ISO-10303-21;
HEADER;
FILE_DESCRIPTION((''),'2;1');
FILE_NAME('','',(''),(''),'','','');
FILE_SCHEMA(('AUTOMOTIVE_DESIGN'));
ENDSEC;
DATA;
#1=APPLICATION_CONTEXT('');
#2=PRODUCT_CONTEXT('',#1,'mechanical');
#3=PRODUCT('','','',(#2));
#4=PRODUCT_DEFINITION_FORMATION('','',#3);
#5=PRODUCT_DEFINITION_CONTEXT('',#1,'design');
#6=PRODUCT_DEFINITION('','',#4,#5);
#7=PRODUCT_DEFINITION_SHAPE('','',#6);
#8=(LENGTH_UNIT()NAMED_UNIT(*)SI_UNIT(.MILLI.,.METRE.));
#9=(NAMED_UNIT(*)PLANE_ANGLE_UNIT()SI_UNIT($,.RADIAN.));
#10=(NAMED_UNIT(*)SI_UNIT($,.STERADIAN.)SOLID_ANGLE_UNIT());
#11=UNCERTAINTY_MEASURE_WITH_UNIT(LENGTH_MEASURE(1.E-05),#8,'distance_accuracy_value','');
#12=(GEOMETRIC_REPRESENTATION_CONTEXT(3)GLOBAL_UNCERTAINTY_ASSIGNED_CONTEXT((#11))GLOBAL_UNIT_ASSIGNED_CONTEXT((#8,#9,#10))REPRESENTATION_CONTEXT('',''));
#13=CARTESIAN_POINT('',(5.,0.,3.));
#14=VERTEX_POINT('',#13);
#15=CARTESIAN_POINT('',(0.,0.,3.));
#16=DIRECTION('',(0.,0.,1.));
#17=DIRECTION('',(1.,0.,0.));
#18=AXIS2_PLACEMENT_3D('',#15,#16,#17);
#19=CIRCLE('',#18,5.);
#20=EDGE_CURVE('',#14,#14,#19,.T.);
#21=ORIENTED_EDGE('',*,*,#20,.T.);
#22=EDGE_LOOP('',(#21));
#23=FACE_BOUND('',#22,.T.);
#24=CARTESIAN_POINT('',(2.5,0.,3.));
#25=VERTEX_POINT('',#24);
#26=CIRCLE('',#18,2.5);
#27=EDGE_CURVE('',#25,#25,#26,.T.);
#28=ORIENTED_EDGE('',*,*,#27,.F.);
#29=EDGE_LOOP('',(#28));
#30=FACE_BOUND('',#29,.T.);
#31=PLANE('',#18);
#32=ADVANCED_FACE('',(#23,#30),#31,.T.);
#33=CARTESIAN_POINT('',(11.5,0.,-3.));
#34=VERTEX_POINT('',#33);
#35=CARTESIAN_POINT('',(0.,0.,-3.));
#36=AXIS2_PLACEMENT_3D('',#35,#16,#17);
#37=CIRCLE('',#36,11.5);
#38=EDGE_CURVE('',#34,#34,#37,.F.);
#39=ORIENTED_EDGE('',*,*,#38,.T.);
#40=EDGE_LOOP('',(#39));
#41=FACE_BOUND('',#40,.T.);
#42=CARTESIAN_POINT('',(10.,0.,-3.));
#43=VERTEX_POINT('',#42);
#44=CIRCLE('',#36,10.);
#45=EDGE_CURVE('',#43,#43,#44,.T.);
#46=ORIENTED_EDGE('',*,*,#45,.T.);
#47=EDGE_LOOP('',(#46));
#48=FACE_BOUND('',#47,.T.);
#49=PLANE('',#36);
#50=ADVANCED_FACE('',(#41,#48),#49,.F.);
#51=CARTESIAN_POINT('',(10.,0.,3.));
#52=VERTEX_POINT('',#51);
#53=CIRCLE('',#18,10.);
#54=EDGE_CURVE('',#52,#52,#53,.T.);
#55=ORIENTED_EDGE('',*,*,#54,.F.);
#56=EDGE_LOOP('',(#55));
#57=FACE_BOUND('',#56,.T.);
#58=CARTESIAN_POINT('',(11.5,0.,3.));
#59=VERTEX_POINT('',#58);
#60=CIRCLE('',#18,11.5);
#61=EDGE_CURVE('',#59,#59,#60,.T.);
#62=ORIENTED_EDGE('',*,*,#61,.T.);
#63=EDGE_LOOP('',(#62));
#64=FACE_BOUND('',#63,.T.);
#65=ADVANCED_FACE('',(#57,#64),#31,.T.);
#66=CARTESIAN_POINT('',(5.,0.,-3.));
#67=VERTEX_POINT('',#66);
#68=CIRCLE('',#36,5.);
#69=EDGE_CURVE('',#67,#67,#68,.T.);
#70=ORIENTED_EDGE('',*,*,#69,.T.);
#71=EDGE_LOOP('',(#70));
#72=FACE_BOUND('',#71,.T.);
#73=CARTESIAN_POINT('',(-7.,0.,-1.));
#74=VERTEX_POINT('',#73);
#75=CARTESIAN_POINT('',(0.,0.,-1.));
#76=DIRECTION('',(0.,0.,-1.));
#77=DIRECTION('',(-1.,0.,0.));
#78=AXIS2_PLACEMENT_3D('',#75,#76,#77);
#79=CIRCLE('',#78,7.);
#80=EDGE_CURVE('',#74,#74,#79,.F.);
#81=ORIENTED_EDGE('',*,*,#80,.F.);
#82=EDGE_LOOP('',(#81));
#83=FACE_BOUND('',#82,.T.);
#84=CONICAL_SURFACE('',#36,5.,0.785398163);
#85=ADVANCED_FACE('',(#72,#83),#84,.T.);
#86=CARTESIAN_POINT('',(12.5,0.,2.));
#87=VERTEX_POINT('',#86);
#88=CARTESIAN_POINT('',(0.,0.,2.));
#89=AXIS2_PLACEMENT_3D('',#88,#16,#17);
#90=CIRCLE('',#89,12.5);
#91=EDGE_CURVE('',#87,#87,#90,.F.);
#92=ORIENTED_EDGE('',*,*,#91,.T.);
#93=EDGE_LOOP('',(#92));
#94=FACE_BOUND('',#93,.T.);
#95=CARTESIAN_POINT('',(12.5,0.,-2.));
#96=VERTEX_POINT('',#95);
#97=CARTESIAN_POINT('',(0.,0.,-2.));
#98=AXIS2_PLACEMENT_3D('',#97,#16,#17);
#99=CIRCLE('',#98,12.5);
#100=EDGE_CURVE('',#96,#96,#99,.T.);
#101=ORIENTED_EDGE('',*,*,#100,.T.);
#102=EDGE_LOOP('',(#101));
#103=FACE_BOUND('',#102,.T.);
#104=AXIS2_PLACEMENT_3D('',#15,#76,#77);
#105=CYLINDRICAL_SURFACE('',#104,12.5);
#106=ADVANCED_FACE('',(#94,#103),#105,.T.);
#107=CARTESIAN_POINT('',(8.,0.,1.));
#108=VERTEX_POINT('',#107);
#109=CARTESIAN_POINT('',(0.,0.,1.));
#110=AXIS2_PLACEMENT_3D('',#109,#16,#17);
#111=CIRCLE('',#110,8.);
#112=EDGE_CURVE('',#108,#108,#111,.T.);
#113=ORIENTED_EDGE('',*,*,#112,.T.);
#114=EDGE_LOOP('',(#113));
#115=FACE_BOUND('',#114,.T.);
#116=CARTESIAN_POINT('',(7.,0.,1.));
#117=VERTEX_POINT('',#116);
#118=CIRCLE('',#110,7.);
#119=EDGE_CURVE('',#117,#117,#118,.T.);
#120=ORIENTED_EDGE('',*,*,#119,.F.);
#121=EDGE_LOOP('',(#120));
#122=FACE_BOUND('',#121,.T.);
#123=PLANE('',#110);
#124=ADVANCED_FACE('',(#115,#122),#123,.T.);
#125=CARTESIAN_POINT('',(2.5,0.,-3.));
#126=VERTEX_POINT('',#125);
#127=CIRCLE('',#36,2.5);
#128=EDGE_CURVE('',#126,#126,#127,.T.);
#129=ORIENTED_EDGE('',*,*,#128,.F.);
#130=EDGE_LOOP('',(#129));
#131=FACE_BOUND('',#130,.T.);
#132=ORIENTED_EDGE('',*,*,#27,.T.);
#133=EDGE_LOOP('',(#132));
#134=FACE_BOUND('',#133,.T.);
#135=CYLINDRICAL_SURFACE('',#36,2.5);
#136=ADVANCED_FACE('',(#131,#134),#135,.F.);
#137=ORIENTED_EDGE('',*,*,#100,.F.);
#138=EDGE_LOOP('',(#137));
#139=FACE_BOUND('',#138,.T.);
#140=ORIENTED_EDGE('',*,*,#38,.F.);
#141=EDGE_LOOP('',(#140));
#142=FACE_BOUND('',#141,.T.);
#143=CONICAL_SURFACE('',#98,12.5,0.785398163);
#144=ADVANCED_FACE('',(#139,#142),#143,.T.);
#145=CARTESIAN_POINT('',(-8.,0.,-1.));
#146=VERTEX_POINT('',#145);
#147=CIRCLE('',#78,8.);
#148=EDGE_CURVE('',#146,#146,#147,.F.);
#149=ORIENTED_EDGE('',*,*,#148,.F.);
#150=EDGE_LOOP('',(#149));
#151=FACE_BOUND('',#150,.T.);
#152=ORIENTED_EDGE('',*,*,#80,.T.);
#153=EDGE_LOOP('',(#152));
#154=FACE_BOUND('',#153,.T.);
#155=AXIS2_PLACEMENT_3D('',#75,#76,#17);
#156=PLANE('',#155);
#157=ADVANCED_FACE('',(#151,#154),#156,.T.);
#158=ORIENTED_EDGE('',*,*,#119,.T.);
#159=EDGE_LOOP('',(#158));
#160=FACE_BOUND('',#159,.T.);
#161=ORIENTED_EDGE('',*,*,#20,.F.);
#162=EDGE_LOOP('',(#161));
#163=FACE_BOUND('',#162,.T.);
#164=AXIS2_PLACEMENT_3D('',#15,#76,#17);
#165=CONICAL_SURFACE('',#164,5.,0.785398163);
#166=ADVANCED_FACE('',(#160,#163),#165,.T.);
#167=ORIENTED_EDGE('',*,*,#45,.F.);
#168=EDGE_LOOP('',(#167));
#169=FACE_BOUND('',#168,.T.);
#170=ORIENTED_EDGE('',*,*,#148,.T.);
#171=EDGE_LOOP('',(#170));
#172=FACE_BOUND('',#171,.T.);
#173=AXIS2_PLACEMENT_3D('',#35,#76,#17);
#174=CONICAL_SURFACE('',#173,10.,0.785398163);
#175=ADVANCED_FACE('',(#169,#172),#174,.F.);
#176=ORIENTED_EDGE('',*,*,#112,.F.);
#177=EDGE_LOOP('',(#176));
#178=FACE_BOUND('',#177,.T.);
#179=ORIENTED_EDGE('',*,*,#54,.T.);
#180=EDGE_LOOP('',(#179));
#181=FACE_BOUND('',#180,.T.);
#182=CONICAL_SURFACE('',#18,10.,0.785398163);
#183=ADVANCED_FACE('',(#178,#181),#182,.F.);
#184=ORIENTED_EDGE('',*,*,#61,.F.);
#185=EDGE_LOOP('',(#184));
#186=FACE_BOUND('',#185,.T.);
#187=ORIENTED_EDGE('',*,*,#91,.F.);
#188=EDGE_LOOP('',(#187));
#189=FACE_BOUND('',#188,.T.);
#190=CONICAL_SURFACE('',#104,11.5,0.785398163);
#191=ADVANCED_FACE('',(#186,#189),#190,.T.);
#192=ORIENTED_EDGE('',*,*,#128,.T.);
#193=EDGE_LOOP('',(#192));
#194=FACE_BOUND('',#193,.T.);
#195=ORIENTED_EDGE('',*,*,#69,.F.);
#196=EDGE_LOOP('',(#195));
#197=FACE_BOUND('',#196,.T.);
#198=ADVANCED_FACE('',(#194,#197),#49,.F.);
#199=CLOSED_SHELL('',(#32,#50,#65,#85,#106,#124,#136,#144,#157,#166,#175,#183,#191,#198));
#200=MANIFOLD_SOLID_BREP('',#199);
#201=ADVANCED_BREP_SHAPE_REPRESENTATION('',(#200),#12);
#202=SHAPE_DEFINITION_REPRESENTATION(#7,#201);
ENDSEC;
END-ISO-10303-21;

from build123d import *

# Parameters (mm, degrees)
SKETCH2_R                 = 12.5
BOSS_EXTRUDE1_DEPTH       = 3
SKETCH3_R                 = 2.5
CUT_EXTRUDE1_DEPTH        = 6
SKETCH4_R                 = 10
SKETCH4_R_2               = 5
CUT_EXTRUDE2_DEPTH        = 2
CUT_EXTRUDE2_DRAFT        = -45
MIRROR1_COPY_1_SKETCH_R   = 10
MIRROR1_COPY_1_SKETCH_R_2 = 5
MIRROR1_COPY_1_DEPTH      = 2
MIRROR1_COPY_1_DRAFT      = -45
CHAMFER1_SIZE             = 1


with BuildPart() as part:
    # Sketch2 → Boss-Extrude1 (new, symmetric)
    with BuildSketch(Plane.XY):
        Circle(SKETCH2_R)
    extrude(amount=BOSS_EXTRUDE1_DEPTH, both=True)

    # Sketch3 → Cut-Extrude1 (cut)
    with BuildSketch(Plane.XY.offset(3)):
        Circle(SKETCH3_R)
    extrude(amount=-CUT_EXTRUDE1_DEPTH, mode=Mode.SUBTRACT)


with BuildPart() as cut_extrude2_tool:
    # Sketch4 → Cut-Extrude2 (with draft: the straight prism first)
    with BuildSketch(Plane.XY.offset(3)):
        Circle(SKETCH4_R)
        Circle(SKETCH4_R_2, mode=Mode.SUBTRACT)
    extrude(amount=-CUT_EXTRUDE2_DEPTH)
    # Cut-Extrude2: the draft: its side faces are tilted about the plane it starts from
    cut_extrude2_sides = [cut_extrude2_tool.faces().sort_by_distance(p)[0] for p in [
        (-10, 0, 2),
        (-5, 0, 2),
    ]]
    draft(cut_extrude2_sides, Plane.XY.offset(3), CUT_EXTRUDE2_DRAFT)


with BuildPart() as part_1:
    add(part.part)

    # Cut-Extrude2: cut by cut_extrude2_tool
    add(cut_extrude2_tool.part, mode=Mode.SUBTRACT)


with BuildPart() as mirror1_copy_1_tool:
    # Mirror1 copy 1 sketch → Mirror1 copy 1 (with draft: the straight prism first)
    with BuildSketch(Plane(origin=(0, 0, -3), x_dir=(1, 0, 0), z_dir=(0, 0, -1))):
        Circle(MIRROR1_COPY_1_SKETCH_R)
        Circle(MIRROR1_COPY_1_SKETCH_R_2, mode=Mode.SUBTRACT)
    extrude(amount=-MIRROR1_COPY_1_DEPTH)
    # Mirror1 copy 1: the draft: its side faces are tilted about the plane it starts from
    mirror1_copy_1_sides = [mirror1_copy_1_tool.faces().sort_by_distance(p)[0] for p in [
        (-10, 0, -2),
        (-5, 0, -2),
    ]]
    draft(mirror1_copy_1_sides, Plane(origin=(0, 0, -3), x_dir=(1, 0, 0), z_dir=(0, 0, -1)), MIRROR1_COPY_1_DRAFT)


with BuildPart() as part_2:
    add(part_1.part)

    # Mirror1 copy 1: cut by mirror1_copy_1_tool
    add(mirror1_copy_1_tool.part, mode=Mode.SUBTRACT)

    # Chamfer1
    chamfer1_edges = [part_2.edges().sort_by_distance(p)[0] for p in [
        (-12.5, 0, -3),
        (-12.5, 0, 3),
    ]]
    chamfer(chamfer1_edges, length=CHAMFER1_SIZE)


solid = part_2.part
